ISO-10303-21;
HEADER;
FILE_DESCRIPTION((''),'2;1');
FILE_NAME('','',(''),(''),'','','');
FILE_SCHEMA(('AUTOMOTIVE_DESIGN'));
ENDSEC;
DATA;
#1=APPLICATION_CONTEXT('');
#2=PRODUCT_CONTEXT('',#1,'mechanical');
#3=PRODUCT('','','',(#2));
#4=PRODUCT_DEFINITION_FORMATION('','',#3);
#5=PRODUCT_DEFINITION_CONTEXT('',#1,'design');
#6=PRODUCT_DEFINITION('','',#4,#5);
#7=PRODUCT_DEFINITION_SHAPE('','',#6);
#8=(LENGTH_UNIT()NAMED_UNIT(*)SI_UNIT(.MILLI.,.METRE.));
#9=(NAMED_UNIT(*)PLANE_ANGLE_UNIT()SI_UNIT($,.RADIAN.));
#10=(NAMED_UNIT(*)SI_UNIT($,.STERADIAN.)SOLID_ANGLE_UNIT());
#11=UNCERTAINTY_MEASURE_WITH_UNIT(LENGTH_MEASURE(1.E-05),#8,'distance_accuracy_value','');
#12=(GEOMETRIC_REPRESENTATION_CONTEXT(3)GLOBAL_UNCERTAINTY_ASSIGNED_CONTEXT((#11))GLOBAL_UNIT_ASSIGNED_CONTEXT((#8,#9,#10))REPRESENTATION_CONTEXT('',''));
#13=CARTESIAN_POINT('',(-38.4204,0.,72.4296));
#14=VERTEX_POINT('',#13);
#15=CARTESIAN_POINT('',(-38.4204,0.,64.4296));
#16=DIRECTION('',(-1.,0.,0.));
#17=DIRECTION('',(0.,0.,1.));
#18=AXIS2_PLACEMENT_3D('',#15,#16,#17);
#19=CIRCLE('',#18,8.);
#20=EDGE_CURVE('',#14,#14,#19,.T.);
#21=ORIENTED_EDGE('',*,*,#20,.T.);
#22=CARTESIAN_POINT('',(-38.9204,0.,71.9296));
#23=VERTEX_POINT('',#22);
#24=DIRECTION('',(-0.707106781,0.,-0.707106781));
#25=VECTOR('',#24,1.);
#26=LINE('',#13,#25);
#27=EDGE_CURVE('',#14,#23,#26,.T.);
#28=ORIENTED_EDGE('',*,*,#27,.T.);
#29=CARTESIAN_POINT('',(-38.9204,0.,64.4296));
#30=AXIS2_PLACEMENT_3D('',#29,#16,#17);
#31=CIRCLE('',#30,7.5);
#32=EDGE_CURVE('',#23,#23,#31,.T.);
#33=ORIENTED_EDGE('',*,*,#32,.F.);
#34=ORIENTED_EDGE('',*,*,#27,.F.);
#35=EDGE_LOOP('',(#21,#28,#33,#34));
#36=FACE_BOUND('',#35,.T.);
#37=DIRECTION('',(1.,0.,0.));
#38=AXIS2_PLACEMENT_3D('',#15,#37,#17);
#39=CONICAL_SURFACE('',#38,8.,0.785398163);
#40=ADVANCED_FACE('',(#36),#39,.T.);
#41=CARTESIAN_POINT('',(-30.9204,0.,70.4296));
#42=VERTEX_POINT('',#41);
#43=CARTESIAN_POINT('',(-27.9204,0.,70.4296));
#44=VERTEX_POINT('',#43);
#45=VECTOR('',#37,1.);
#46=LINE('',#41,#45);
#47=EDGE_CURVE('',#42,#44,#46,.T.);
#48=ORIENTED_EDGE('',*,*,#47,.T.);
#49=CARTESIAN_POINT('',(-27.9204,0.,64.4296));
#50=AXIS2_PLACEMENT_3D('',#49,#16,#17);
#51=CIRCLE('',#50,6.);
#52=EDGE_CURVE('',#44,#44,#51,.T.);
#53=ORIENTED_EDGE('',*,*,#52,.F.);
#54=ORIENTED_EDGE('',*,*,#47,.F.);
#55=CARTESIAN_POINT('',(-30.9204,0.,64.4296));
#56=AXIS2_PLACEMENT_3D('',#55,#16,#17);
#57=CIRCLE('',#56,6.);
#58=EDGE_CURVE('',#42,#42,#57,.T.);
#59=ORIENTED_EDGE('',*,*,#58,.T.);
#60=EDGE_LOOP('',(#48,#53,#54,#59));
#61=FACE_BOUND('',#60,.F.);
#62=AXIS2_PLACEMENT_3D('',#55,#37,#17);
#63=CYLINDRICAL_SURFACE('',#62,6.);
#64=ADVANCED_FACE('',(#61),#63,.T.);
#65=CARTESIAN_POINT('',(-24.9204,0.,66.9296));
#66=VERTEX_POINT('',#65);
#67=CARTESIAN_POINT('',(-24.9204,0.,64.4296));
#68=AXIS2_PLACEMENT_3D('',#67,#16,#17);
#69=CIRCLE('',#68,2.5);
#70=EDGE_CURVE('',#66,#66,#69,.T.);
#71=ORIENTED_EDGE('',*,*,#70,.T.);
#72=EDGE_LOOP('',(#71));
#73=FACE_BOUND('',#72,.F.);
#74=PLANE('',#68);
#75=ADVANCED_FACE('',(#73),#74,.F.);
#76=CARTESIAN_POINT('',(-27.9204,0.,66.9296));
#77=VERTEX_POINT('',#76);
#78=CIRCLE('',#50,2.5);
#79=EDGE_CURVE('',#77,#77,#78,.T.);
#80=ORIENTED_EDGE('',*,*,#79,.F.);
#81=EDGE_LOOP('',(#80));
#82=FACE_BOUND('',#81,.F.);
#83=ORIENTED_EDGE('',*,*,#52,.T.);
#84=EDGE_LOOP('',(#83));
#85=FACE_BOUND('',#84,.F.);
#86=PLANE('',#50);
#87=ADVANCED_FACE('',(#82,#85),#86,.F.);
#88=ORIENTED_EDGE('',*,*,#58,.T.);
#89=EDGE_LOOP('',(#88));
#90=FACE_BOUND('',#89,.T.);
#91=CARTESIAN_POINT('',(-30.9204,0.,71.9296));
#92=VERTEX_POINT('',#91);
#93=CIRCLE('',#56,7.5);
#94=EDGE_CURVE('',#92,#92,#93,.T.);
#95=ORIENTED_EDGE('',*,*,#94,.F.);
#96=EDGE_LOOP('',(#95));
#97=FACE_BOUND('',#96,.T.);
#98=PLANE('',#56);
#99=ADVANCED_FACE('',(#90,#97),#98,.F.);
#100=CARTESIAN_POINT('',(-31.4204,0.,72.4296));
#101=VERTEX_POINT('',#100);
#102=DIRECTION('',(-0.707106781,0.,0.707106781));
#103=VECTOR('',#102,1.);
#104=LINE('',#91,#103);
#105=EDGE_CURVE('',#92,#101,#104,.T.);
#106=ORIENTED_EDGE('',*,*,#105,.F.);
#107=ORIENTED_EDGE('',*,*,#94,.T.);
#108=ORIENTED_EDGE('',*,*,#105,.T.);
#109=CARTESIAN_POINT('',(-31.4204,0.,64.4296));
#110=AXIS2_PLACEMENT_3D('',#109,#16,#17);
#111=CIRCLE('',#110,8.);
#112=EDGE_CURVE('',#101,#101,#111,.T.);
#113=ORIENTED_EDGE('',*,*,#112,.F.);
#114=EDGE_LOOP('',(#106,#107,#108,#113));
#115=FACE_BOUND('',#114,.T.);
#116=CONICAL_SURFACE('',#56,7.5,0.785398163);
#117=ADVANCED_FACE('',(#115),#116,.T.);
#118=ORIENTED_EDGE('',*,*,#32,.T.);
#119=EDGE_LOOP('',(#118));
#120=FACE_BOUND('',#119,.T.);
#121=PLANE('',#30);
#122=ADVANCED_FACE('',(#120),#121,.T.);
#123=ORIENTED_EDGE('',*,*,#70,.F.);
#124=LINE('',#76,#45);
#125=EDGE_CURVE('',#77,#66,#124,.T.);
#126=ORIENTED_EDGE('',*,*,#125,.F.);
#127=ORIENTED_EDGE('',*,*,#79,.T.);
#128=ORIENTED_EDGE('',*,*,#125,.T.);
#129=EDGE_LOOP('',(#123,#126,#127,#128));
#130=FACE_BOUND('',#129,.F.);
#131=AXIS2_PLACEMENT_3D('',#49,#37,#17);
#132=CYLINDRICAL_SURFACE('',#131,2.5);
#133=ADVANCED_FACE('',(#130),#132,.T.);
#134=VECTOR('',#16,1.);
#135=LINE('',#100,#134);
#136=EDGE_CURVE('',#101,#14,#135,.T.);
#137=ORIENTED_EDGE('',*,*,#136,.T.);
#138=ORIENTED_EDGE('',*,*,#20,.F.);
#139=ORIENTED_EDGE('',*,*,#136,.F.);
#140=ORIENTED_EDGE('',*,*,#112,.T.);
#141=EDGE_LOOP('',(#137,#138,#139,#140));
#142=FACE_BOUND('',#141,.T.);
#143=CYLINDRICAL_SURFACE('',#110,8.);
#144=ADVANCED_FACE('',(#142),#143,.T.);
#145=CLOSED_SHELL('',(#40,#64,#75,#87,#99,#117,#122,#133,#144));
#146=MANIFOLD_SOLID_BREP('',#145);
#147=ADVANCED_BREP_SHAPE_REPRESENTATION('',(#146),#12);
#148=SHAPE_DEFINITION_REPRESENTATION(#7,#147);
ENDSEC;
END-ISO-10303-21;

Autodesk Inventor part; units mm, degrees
ref_plane "YZ Plane" through (0, 0, 0) normal (1, 0, 0) x (0, 1, 0)
ref_plane "XZ Plane" through (0, 0, 0) normal (0, 1, 0) x (-1, 0, 0)
ref_plane "XY Plane" through (0, 0, 0) normal (0, 0, 1) x (1, 0, 0)
sketch "スケッチ1" plane through (0, 0, 0) normal (0, 1, 0) x (-1, 0, 0)
  line L0 (-5.0796, -45.5704) -> (-5.0796, 73.9296)
  line L1 (-5.0796, 73.9296) -> (-4.5796, 74.4296)
  line L2 (-4.5796, 74.4296) -> (24.4204, 74.4296)
  line L3 (24.4204, 74.4296) -> (24.9204, 73.9296)
  line L4 (24.9204, 73.9296) -> (24.9204, -45.5704)
  line L5 (24.9204, -45.5704) -> (-5.0796, -45.5704)
  line L6 (1.9204, -47.0704) -> (1.9204, -50.5704)
  line L7 (1.9204, -50.5704) -> (17.9204, -50.5704)
  line L8 (17.9204, -50.5704) -> (17.9204, -47.0704)
  line L9 (17.9204, -47.0704) -> (1.9204, -47.0704)
  line L10 (2.9204, -47.0704) -> (2.9204, -45.5704)
  line L11 (16.9204, -45.5704) -> (16.9204, -47.0704)
  line L12 (31.4204, 56.4296) -> (30.9204, 56.9296)
  line L13 (30.9204, 56.9296) -> (30.9204, 71.9296)
  line L14 (30.9204, 71.9296) -> (31.4204, 72.4296)
  line L15 (31.4204, 72.4296) -> (38.4204, 72.4296)
  line L16 (38.4204, 72.4296) -> (38.9204, 71.9296)
  line L17 (38.9204, 71.9296) -> (38.9204, 56.9296)
  line L18 (38.9204, 56.9296) -> (38.4204, 56.4296)
  line L19 (38.4204, 56.4296) -> (31.4204, 56.4296)
  line L20 (31.4204, 56.4296) -> (31.4204, 72.4296)
  line L21 (30.9204, 70.4296) -> (27.9204, 70.4296)
  line L22 (27.9204, 70.4296) -> (27.9204, 58.4296)
  line L23 (27.9204, 58.4296) -> (30.9204, 58.4296)
  line L24 (38.4204, 56.4296) -> (38.4204, 72.4296)
  line L25 (27.9204, 66.9296) -> (24.9204, 66.9296)
  line L26 (27.4204, 66.9296) -> (27.4204, 61.9296)
  line L27 (27.9204, 61.9296) -> (24.9204, 61.9296)
  line L28 (24.9204, 73.9296) -> (-5.0796, 73.9296)
  line L29 (-5.0796, 97.1797) -> (24.9204, 97.1797)
  line L30 (24.9204, 97.1797) -> (24.9204, 105.1797)
  line L31 (24.9204, 105.1797) -> (-5.0796, 105.1797)
  line L32 (-5.0796, 105.1797) -> (-5.0796, 97.1797)
  line L33 (24.9204, 99.1797) -> (27.9204, 99.1797)
  line L34 (27.2723, 99.1797) -> (27.2723, 103.1797)
  line L35 (27.9204, 103.1797) -> (24.9204, 103.1797)
  line L36 (27.9204, 105.6797) -> (27.9204, 96.6797)
  line L37 (27.9204, 96.6797) -> (28.4204, 96.1797)
  line L38 (28.4204, 96.1797) -> (32.4204, 96.1797)
  line L39 (32.4204, 96.1797) -> (32.9204, 96.6797)
  line L40 (32.9204, 96.6797) -> (32.9204, 105.6797)
  line L41 (32.9204, 105.6797) -> (32.4204, 106.1797)
  line L42 (32.4204, 106.1797) -> (28.4204, 106.1797)
  line L43 (28.4204, 106.1797) -> (27.9204, 105.6797)
  line L44 (28.4204, 106.1797) -> (28.4204, 96.1797)
  line L45 (32.4204, 96.1797) -> (32.4204, 106.1797)
  line L46 (2.4204, -50.5704) -> (2.4204, -47.0704)
  line L47 (-0.0796, -40.5704) -> (-0.0796, 74.4296)
  line L48 (19.9204, 74.4296) -> (19.9204, -40.5704)
  line L49 (19.9204, -40.5704) -> (9.9204, -46.3439)
  line L50 (9.9204, -46.3439) -> (-0.0796, -40.5704)
  line L51 (-0.0796, -40.5704) -> (19.9204, -40.5704)
  line L52 (17.4204, -47.0704) -> (17.4204, -50.5704)
  line L53 (9.9204, -56.5156) -> (9.9204, 78.76)
  line L54 (9.9204, 93.5864) -> (9.9204, 108.5157)
  line L55 (19.9204, 105.1797) -> (19.9204, 97.1797)
  line L56 (22.5096, 101.1797) -> (35.2156, 101.1797)
  line L57 (27.9204, 103.1797) -> (27.2723, 102.4797)
  line L58 (27.2723, 102.4797) -> (24.9204, 102.4797)
  line L59 (24.9204, 99.8797) -> (27.2723, 99.8797)
  line L60 (27.2723, 99.8797) -> (27.9204, 99.1797)
  line L61 (-0.0796, 97.1797) -> (-0.0796, 105.1797)
  line L62 (24.9204, 66.2296) -> (27.4204, 66.2296)
  line L63 (27.4204, 66.2296) -> (27.9204, 66.9296)
  line L64 (27.4204, 62.6296) -> (27.9204, 61.9296)
  line L65 (27.4204, 62.6296) -> (24.9204, 62.6296)
  line L66 (22.6428, 64.4296) -> (42.5049, 64.4296)
  line L67 (32.2954, 71.4296) -> (38.4204, 71.4296)
  line L68 (33.1704, 70.4296) -> (38.4204, 70.4296)
  line L69 (34.0454, 69.4296) -> (38.4204, 69.4296)
  line L70 (34.9204, 68.4296) -> (38.4204, 68.4296)
  line L71 (35.7954, 67.4296) -> (38.4204, 67.4296)
  line L72 (36.6704, 66.4296) -> (38.4204, 66.4296)
  line L73 (37.5454, 65.4296) -> (38.4204, 65.4296)
  line L74 (29.2204, 105.1797) -> (32.4204, 105.1797)
  line L75 (30.0204, 104.1797) -> (32.4204, 104.1797)
  line L76 (30.8204, 103.1797) -> (32.4204, 103.1797)
  line L77 (31.6204, 102.1797) -> (32.4204, 102.1797)
  point P0 (0, 0)
  point P1 (52.3578, -69.094)
  point P2 (52.3578, -59.2279)
  point P3 (24.9204, 64.4296)
  point P4 (38.9204, 64.4296)
revolve "回転1" add sketch "スケッチ1" angle 360 about axis through (-22.6428, 0, 64.4296) along (-1, 0, 0) contours L25 L26 L62 L4 | L62 L26 L66 L4 | L25 L63 L26 | L63 L22 L66 L26 | L22 L21 L13 L66 | L13 L14 L20 L66 | L20 L15 L24 L66 | L24 L16 L17 L66
thread "ねじ1" size "M5x0.8" class "6g" standard "ANSI Metric M Profile" full length
properties part number "stand_handle" material "アルミニウム 6061"
